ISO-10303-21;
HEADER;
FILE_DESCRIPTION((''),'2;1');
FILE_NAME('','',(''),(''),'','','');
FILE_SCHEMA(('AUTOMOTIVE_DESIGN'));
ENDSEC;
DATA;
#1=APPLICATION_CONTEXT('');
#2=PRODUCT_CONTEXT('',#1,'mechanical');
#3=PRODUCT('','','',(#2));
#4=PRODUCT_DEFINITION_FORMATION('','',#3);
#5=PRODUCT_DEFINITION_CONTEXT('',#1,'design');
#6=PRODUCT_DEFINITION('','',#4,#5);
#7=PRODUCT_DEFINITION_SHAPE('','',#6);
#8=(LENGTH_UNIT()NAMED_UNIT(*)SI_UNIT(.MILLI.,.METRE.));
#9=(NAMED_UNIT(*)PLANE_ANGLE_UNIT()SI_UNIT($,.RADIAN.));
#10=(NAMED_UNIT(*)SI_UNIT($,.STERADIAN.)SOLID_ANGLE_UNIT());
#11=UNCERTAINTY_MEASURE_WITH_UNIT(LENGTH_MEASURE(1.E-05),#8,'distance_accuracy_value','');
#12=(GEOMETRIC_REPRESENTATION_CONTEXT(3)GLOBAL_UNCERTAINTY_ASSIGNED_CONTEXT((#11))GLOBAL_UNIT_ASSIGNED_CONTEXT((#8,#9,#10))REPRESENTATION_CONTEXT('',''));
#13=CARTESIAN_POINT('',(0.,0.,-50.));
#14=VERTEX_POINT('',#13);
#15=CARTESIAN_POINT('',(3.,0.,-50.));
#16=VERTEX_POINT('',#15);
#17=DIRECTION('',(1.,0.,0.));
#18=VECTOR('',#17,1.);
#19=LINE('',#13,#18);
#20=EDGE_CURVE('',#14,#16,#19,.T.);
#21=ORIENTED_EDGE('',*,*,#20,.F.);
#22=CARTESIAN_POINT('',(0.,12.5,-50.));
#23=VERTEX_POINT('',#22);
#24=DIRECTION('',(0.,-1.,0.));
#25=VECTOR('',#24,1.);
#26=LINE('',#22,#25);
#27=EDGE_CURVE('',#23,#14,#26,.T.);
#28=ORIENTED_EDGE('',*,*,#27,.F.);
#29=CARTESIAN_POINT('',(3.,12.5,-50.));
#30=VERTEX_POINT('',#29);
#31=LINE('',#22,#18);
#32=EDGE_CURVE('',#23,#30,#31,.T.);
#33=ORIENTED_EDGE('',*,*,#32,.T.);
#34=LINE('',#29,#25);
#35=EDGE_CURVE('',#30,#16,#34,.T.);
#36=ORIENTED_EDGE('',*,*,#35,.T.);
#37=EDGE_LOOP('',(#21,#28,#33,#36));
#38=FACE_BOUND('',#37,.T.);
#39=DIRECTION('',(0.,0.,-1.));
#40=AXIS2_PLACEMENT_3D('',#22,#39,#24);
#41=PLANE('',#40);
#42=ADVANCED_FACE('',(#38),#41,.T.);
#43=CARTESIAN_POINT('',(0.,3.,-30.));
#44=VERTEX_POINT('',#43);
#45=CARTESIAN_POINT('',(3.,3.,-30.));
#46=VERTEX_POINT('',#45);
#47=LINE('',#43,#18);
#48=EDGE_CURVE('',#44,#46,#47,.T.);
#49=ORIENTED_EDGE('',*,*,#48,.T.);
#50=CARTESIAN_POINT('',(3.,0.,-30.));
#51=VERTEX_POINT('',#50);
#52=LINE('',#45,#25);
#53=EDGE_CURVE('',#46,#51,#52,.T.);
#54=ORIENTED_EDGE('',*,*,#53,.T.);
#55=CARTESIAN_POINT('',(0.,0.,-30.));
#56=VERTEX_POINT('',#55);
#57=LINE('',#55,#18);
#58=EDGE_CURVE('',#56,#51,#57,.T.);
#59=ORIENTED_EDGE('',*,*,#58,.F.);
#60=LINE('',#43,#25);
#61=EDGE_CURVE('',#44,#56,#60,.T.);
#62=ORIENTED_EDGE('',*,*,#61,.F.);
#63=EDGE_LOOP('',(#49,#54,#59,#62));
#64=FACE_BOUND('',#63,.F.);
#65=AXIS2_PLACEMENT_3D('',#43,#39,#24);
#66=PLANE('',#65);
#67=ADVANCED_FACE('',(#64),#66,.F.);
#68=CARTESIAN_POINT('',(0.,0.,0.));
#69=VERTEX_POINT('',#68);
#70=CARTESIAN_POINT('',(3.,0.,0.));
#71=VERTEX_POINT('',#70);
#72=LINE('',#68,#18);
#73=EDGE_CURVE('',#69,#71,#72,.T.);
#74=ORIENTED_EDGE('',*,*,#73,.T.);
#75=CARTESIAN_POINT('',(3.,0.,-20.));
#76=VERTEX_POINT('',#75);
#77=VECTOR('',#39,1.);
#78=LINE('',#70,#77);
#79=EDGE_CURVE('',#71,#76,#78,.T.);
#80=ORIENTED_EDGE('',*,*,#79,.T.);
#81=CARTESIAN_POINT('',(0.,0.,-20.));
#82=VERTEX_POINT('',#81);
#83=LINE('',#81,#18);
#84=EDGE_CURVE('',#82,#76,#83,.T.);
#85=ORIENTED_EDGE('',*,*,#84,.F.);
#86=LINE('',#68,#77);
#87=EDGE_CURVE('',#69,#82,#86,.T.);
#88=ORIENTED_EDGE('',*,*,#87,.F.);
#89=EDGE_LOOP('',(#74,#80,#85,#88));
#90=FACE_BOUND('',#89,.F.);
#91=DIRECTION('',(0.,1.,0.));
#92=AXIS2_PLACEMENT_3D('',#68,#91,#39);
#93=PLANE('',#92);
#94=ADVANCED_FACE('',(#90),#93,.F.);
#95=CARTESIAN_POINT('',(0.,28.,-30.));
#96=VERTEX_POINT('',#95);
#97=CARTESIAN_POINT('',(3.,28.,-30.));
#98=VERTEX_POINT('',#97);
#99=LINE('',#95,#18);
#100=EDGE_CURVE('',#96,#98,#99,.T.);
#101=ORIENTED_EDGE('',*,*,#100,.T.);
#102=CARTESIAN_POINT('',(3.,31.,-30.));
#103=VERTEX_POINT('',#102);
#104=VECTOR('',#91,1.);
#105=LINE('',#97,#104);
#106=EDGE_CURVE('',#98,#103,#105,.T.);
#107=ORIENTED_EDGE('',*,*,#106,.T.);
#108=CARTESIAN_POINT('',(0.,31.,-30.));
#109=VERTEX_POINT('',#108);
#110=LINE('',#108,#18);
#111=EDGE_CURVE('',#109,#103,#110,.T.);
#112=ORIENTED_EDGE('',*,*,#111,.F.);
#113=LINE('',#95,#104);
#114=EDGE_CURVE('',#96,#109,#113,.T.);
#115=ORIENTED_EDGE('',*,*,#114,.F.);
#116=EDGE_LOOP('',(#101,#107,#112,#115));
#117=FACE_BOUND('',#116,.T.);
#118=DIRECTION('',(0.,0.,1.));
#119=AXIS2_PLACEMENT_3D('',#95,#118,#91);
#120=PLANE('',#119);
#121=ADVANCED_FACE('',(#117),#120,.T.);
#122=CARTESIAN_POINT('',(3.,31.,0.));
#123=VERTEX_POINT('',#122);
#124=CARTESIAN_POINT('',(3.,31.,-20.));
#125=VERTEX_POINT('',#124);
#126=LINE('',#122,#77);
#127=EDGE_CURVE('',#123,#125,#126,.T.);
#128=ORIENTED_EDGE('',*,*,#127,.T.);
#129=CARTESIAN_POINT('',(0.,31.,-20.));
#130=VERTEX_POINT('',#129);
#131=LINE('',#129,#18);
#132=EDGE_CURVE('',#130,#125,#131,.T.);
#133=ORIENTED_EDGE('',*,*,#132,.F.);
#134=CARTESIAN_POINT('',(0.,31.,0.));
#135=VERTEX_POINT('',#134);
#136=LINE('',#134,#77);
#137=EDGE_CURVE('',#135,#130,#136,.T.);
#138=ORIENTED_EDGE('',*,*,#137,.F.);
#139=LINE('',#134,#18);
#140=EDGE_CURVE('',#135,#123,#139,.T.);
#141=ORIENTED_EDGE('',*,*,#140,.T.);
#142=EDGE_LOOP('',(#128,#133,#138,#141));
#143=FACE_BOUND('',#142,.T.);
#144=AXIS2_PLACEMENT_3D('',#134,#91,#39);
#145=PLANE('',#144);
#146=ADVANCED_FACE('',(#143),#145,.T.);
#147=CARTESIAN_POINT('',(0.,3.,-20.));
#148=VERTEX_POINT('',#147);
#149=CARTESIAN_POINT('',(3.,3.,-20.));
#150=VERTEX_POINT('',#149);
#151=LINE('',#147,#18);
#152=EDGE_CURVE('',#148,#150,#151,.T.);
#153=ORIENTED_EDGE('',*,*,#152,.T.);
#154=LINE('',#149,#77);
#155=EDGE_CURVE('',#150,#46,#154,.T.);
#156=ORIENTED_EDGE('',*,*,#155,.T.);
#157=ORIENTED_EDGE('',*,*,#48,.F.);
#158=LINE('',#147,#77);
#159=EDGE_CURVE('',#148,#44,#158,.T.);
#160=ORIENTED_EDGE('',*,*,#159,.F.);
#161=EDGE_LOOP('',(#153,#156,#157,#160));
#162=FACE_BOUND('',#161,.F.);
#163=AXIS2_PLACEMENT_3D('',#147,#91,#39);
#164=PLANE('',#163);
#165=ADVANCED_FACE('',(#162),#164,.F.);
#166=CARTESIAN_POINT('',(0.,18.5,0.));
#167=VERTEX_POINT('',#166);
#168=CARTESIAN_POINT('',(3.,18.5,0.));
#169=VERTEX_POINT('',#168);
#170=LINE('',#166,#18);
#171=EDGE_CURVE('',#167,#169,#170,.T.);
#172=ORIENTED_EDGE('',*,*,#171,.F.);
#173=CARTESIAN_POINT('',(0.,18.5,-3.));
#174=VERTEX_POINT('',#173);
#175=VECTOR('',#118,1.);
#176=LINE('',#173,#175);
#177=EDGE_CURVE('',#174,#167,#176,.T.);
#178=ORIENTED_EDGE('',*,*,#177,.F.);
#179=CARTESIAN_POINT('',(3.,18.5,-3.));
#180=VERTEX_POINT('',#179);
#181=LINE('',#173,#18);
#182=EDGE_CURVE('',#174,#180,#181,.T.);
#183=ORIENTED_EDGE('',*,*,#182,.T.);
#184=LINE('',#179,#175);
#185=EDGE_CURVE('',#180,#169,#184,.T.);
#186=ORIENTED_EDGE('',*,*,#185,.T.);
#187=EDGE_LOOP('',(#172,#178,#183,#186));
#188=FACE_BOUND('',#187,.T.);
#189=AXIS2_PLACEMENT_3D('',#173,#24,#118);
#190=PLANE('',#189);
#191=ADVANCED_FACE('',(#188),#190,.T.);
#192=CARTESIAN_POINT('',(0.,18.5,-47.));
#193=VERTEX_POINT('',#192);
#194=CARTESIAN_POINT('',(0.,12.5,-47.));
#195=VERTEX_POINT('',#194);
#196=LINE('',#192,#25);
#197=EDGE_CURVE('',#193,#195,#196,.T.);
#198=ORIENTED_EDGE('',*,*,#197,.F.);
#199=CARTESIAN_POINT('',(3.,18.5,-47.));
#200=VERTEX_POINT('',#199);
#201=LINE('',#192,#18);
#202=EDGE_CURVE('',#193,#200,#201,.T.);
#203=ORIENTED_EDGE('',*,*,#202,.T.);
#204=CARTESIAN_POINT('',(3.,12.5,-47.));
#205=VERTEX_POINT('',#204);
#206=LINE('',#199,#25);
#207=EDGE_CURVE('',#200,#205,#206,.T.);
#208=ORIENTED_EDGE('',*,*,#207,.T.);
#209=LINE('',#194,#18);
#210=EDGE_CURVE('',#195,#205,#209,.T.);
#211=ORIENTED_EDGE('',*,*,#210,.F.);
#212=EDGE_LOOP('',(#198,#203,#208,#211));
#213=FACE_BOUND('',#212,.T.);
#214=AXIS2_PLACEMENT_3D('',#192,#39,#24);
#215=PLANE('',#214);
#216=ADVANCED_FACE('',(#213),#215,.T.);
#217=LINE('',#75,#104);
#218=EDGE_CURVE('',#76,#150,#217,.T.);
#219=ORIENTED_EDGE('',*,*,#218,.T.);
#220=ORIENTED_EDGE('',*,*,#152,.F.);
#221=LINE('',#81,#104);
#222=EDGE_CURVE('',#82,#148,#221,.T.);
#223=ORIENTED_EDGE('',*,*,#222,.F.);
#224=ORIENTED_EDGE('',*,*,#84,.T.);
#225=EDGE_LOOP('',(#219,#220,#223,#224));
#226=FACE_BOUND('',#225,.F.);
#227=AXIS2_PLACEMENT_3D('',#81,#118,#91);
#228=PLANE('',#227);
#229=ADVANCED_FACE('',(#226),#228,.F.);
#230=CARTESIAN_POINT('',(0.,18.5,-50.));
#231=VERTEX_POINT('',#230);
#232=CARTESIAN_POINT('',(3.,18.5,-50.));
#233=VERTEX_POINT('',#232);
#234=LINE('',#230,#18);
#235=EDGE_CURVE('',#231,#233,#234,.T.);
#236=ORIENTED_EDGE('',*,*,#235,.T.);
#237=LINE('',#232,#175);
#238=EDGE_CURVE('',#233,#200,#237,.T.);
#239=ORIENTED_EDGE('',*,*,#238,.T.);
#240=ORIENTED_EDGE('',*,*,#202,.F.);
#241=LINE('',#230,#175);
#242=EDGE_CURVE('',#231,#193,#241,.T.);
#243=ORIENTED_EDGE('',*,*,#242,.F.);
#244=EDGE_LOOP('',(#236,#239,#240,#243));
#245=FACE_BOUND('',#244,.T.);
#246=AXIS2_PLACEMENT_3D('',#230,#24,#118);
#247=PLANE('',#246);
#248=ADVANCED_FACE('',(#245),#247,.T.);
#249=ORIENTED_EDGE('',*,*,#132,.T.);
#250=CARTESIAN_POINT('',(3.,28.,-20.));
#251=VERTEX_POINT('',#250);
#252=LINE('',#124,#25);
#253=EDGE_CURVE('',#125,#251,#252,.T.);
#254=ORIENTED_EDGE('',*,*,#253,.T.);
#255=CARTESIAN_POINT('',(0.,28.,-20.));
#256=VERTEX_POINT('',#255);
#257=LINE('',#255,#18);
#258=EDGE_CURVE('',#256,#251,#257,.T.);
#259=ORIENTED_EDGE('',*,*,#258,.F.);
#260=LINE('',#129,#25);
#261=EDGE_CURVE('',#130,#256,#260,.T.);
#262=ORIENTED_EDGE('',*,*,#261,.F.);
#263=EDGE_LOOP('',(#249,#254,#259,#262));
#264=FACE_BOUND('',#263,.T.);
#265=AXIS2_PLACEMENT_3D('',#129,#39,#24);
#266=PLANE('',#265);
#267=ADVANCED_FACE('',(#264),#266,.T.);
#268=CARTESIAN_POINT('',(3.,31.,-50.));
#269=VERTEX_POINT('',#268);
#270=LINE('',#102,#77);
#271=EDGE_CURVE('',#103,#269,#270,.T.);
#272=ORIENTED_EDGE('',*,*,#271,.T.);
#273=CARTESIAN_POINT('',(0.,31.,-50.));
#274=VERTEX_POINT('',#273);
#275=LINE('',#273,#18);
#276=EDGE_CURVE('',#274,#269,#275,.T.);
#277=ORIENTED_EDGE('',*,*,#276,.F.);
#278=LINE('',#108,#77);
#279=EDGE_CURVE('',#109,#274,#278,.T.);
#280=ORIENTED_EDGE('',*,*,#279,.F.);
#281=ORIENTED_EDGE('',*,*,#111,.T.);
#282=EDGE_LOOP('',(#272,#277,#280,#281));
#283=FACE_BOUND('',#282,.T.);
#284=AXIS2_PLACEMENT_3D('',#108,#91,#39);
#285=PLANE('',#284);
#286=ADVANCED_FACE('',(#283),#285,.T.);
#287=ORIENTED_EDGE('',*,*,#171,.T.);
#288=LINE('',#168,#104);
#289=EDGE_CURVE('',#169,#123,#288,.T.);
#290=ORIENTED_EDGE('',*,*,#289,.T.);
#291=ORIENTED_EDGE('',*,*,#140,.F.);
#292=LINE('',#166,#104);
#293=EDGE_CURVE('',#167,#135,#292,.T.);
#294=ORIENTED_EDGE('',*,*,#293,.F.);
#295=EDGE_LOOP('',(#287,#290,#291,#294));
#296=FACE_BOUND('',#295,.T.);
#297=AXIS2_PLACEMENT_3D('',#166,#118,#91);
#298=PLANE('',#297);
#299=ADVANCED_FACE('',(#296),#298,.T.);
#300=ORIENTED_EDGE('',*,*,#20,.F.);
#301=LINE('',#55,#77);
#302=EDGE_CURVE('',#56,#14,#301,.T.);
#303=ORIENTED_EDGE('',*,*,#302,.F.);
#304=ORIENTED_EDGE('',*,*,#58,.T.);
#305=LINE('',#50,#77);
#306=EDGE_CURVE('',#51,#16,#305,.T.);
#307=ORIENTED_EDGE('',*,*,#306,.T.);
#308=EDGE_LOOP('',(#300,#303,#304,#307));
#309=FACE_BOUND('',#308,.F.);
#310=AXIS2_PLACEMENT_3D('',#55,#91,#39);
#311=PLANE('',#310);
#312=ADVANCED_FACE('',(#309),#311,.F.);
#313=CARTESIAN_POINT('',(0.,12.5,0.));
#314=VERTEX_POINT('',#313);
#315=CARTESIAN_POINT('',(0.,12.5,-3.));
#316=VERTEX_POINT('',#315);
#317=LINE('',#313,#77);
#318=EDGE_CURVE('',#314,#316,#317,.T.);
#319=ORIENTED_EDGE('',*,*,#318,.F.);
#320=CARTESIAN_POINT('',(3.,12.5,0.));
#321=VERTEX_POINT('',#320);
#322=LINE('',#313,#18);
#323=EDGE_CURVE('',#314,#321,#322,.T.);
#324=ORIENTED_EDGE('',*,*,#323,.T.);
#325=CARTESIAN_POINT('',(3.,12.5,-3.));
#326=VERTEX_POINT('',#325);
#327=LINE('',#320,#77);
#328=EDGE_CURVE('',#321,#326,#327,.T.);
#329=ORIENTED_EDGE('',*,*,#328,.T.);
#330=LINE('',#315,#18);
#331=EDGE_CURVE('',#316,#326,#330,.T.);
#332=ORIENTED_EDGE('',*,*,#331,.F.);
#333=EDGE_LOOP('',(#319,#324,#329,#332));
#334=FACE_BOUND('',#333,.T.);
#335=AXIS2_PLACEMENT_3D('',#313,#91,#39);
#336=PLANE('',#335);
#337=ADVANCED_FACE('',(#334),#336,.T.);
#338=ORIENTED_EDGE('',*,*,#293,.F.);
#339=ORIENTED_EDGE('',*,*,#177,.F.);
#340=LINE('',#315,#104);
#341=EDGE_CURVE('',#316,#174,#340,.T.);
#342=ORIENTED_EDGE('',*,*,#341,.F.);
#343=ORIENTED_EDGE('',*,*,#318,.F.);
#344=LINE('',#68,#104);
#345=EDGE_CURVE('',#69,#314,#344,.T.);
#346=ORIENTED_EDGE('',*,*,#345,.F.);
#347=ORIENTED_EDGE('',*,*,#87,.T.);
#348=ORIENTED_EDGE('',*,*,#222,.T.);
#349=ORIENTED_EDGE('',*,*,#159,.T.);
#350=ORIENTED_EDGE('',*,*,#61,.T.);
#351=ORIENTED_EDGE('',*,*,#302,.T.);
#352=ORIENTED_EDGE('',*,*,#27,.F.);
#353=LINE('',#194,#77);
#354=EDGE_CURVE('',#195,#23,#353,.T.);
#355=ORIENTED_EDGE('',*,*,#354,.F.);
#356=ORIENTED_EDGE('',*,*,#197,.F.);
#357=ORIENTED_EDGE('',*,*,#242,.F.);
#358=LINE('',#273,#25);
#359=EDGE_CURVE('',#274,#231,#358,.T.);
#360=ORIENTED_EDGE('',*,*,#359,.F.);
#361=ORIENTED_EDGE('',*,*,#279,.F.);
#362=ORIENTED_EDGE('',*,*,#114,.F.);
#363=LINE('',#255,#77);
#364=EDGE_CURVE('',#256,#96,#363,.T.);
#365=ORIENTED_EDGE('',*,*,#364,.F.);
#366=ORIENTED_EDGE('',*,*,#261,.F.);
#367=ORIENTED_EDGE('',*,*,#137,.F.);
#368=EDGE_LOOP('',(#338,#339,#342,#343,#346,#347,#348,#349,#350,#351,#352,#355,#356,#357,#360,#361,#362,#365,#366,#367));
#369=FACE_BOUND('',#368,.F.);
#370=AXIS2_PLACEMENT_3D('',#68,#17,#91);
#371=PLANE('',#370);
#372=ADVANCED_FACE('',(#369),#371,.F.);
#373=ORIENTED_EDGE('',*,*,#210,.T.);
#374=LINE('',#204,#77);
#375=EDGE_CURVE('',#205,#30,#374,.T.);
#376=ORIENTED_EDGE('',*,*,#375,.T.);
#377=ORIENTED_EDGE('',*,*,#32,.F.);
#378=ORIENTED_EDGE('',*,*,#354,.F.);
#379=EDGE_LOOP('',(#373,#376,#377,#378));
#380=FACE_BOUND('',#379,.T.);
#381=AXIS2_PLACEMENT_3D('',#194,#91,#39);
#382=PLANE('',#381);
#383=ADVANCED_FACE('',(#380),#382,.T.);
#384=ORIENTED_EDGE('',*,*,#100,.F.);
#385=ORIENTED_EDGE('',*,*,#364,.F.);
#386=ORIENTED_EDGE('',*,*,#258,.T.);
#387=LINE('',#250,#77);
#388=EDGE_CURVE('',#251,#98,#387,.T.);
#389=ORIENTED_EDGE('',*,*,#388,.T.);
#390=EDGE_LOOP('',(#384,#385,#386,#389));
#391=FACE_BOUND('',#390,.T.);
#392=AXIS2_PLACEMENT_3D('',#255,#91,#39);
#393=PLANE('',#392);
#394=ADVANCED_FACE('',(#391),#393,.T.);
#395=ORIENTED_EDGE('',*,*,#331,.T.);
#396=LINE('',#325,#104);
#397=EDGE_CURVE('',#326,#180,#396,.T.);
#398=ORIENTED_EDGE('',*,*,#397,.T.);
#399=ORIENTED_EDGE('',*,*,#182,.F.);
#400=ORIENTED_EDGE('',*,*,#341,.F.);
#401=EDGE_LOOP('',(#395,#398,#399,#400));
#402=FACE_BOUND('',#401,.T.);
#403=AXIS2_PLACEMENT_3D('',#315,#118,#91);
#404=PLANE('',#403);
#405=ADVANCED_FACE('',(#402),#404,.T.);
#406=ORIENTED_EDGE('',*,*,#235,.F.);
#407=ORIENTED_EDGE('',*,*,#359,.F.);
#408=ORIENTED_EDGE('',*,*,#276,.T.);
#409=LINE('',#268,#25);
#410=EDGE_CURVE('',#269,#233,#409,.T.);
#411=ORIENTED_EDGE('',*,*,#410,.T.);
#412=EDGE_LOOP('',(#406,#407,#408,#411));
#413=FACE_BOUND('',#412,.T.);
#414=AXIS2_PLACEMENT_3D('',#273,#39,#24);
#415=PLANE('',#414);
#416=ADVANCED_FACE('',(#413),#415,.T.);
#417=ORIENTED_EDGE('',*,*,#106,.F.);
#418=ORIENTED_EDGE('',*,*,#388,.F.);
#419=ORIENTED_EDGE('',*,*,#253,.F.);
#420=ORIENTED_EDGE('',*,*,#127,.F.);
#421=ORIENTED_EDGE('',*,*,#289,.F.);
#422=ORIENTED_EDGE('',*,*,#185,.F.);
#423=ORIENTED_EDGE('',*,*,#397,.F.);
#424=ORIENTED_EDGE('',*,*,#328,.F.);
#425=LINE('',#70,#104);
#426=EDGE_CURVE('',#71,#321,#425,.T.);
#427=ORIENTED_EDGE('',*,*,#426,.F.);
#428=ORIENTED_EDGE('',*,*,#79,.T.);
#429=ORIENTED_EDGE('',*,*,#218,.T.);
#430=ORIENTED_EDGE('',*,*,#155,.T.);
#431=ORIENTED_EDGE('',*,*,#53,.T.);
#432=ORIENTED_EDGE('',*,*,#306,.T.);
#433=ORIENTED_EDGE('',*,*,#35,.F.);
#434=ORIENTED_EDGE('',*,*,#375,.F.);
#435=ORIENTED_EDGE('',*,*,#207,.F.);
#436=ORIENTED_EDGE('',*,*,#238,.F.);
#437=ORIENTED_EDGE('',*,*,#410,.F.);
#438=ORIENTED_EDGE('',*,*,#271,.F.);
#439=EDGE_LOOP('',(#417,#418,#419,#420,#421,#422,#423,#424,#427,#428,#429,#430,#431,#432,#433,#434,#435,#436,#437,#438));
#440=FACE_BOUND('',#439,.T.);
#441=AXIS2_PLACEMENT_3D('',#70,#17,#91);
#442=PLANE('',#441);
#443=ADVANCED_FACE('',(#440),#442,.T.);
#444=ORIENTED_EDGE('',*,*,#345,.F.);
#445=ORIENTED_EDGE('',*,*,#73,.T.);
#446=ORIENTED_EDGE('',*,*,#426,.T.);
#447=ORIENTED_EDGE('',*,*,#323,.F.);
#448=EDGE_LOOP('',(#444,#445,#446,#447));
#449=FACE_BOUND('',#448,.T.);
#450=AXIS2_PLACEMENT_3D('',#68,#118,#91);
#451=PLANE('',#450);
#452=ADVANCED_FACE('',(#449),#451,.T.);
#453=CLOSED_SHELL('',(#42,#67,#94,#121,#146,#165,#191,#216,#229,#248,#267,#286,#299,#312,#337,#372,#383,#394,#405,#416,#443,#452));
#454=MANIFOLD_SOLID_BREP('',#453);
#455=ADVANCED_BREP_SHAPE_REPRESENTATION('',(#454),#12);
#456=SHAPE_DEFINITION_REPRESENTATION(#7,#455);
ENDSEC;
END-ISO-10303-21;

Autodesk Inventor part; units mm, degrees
ref_plane "YZ Plane" through (0, 0, 0) normal (1, 0, 0) x (0, 1, 0)
ref_plane "XZ Plane" through (0, 0, 0) normal (0, 1, 0) x (-1, 0, 0)
ref_plane "XY Plane" through (0, 0, 0) normal (0, 0, 1) x (1, 0, 0)
sketch "Sketch1" plane through (0, 0, 0) normal (1, 0, 0) x (0, 1, 0)
  line L0 (0, 0) -> (12.5, 0)
  line L1 (12.5, 0) -> (12.5, -3)
  line L2 (12.5, -3) -> (18.5, -3)
  line L3 (18.5, -3) -> (18.5, 0)
  line L4 (18.5, 0) -> (31, 0)
  line L5 (31, -50) -> (18.5, -50)
  line L6 (18.5, -50) -> (18.5, -47)
  line L7 (18.5, -47) -> (12.5, -47)
  line L8 (12.5, -47) -> (12.5, -50)
  line L9 (12.5, -50) -> (0, -50)
  line L10 (31, 0) -> (31, -20)
  line L11 (31, -20) -> (28, -20)
  line L12 (28, -20) -> (28, -30)
  line L13 (28, -30) -> (31, -30)
  line L14 (31, -30) -> (31, -50)
  line L15 (0, 0) -> (0, -20)
  line L16 (0, -20) -> (3, -20)
  line L17 (3, -20) -> (3, -30)
  line L18 (3, -30) -> (0, -30)
  line L19 (0, -30) -> (0, -50)
  dimension "d2" = 6
  dimension "d14" = 50
  dimension "d16" = 10
  dimension "d19" = 3
  dimension "d22" = 25
extrude "Extrusion1" add sketch "Sketch1" along normal blind 3
